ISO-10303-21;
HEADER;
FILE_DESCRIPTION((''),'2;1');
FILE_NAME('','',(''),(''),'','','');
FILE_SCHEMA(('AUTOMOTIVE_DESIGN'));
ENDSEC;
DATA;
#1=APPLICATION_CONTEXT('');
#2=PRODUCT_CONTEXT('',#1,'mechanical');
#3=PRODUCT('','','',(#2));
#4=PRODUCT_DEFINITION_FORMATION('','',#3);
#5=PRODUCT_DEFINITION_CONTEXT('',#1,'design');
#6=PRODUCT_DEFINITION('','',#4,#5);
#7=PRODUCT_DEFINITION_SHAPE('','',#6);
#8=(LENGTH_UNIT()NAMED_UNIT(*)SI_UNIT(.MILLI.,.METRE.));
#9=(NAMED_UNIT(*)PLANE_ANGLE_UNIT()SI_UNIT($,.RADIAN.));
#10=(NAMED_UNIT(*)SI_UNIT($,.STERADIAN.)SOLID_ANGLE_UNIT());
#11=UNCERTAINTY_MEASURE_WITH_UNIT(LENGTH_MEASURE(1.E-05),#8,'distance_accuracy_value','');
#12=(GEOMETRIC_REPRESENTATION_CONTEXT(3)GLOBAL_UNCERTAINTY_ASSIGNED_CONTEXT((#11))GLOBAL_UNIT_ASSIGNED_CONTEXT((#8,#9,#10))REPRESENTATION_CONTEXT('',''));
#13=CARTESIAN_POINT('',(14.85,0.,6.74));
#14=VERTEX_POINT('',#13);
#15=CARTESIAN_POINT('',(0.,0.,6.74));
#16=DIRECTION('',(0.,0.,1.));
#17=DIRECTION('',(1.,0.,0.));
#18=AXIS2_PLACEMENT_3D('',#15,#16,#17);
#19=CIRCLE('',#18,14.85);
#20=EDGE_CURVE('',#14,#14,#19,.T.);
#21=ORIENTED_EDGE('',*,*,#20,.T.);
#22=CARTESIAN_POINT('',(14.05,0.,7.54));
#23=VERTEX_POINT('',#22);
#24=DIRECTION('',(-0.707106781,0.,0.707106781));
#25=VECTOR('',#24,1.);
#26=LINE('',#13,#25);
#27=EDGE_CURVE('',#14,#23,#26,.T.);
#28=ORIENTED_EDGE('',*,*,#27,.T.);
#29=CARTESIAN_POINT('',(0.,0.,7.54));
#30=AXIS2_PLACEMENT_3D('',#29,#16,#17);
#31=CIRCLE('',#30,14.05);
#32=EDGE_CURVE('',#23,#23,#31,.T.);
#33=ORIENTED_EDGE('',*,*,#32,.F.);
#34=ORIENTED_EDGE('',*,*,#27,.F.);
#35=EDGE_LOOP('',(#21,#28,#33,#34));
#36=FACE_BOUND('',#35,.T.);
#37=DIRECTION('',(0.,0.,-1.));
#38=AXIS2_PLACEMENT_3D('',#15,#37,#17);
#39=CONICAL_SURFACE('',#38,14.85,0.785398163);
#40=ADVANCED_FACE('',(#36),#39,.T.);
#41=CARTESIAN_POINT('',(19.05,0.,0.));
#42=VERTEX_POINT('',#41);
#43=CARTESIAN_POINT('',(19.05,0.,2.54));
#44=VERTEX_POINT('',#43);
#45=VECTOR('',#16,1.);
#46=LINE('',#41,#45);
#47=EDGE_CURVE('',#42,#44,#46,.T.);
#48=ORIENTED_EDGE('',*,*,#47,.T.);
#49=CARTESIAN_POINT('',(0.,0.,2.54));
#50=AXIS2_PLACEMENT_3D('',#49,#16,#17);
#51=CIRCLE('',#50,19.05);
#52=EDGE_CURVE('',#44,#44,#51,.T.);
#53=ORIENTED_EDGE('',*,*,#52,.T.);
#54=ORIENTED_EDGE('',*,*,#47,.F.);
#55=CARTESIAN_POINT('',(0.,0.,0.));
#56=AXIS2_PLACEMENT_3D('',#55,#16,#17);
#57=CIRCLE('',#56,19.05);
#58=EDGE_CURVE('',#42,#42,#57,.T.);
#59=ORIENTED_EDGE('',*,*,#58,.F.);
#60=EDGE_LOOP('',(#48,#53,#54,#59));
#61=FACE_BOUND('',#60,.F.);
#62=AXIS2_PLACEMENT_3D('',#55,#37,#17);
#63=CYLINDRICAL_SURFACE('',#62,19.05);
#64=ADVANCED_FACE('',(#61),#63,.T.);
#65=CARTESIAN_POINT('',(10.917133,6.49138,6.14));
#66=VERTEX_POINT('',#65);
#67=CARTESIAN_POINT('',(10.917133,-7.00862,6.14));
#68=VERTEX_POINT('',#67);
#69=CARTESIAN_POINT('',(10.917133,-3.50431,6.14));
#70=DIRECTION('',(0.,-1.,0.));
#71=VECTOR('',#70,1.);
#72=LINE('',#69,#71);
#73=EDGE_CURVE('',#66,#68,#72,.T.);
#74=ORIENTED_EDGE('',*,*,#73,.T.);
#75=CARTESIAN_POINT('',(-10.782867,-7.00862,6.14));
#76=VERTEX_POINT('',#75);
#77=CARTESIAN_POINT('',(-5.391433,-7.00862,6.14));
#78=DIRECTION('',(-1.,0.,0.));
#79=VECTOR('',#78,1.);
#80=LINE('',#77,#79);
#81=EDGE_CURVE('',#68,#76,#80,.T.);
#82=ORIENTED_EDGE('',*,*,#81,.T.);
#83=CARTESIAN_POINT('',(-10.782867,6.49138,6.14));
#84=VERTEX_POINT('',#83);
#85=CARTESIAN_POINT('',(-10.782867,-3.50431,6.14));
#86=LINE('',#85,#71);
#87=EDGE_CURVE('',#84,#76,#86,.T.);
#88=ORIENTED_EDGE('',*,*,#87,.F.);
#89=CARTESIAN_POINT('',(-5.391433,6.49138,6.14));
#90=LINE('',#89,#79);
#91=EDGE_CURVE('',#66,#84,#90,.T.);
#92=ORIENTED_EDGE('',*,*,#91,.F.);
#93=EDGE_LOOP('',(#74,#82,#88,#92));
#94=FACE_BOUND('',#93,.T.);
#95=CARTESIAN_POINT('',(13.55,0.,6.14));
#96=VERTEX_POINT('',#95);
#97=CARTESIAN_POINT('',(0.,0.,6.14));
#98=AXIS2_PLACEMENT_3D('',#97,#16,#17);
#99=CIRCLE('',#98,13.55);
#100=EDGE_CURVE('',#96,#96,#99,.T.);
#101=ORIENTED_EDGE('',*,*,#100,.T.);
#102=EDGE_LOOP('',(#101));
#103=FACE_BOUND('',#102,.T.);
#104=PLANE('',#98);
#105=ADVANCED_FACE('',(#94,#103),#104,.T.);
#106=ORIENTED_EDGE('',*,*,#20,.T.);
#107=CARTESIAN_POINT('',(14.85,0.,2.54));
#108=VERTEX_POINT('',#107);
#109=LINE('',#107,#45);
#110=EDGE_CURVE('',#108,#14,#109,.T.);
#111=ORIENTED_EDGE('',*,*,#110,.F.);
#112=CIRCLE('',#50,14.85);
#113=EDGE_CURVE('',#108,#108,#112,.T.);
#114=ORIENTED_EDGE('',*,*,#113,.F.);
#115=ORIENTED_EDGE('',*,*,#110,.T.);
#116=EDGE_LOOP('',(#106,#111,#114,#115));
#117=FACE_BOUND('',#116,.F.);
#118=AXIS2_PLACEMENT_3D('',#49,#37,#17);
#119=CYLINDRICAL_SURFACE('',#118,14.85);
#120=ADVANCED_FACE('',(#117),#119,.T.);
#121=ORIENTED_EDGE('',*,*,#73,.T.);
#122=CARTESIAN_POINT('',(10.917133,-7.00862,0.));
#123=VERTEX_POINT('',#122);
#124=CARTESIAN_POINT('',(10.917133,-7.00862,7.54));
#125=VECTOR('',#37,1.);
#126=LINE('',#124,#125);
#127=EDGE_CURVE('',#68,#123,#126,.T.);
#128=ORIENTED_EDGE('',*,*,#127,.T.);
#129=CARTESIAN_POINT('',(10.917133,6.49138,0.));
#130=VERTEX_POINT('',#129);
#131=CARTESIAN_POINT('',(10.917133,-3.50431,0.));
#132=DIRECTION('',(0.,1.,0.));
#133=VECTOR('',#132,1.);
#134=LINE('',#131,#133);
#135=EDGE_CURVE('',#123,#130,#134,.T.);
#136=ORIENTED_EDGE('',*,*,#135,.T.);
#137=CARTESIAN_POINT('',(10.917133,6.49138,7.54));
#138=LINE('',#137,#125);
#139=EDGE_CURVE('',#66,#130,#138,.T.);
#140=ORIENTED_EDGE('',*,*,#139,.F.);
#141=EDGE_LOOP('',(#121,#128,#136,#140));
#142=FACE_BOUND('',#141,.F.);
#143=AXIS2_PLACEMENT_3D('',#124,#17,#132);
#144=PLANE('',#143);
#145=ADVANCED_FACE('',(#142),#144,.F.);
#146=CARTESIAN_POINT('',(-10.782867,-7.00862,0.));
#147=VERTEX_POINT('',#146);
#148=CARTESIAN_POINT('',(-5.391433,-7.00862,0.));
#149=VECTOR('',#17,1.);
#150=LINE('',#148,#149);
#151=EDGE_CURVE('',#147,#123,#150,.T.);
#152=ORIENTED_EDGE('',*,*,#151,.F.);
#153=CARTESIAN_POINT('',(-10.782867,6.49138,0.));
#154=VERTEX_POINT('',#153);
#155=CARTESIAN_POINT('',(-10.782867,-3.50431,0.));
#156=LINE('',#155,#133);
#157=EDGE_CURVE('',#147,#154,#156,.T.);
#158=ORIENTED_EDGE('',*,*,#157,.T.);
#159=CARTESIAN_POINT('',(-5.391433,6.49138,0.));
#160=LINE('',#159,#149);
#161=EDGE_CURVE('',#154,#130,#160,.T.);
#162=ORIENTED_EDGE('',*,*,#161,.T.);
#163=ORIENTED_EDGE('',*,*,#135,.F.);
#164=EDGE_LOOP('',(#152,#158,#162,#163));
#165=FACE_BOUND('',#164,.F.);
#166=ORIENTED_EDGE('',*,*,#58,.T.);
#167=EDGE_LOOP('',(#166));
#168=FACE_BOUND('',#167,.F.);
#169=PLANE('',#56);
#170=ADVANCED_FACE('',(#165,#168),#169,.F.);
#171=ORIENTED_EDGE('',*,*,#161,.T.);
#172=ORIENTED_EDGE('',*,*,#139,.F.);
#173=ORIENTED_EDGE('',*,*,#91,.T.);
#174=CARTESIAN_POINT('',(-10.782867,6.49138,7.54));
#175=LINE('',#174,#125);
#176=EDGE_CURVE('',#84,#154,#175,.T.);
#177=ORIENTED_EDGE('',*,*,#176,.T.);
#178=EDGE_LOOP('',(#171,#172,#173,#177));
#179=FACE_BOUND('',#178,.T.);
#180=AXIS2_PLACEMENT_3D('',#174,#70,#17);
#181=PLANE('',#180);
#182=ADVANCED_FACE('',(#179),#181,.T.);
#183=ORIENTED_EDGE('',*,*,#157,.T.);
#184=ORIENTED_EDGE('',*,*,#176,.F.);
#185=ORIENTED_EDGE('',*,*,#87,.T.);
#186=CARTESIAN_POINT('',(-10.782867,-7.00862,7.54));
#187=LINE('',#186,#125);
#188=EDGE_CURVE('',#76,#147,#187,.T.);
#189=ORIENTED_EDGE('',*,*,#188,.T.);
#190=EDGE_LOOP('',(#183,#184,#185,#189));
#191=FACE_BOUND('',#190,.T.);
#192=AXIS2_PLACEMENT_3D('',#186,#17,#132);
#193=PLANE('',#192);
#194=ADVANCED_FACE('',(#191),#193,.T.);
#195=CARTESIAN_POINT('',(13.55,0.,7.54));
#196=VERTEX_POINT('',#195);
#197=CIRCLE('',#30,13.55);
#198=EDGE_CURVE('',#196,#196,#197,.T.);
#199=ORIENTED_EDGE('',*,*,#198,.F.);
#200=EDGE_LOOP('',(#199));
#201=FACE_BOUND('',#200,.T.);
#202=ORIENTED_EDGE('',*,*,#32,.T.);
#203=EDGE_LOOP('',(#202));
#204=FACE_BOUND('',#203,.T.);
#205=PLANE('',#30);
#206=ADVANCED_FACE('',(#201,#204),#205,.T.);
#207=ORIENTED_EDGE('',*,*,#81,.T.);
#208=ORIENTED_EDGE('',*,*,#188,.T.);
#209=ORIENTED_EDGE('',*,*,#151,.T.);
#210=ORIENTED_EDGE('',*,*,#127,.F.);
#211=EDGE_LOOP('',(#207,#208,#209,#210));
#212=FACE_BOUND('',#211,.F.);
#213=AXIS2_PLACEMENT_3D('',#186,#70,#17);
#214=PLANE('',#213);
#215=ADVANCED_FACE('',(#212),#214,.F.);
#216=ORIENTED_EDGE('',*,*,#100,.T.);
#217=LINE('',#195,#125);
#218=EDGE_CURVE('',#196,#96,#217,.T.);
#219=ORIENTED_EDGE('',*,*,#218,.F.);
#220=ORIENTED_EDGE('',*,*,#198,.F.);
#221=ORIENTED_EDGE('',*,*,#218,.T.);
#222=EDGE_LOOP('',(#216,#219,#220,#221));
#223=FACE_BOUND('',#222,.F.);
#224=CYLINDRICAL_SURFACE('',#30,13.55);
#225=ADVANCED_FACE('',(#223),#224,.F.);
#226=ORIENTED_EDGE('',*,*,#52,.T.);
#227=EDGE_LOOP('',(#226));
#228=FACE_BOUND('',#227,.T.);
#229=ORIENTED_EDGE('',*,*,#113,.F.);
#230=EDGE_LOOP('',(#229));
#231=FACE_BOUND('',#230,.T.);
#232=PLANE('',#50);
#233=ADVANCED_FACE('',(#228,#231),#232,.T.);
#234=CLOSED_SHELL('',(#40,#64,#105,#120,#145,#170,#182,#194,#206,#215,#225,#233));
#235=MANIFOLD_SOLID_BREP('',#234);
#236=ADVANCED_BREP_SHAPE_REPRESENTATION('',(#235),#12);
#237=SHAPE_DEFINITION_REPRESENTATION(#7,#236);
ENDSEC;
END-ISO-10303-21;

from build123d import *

# Parameters (mm, degrees)
F0_R     = 19.05
F1_DEPTH = 2.54
F2_R     = 14.85
F3_DEPTH = 5
F4_W     = 21.7
F4_H     = 13.5
F5_DEPTH = 10
F6_R     = 13.55
F7_DEPTH = 1.4
F8_SIZE  = 0.8


with BuildPart() as f1:
    # F0 (on Top) → F1 (new body)
    with BuildSketch(Plane.XY):
        Circle(F0_R)
    extrude(amount=F1_DEPTH)

    # F2 (on face) → F3 (join)
    with BuildSketch(Plane.XY.offset(2.54)):
        Circle(F2_R)
    extrude(amount=F3_DEPTH)

    # F4 (on face) → F5 (cut)
    with BuildSketch(Plane.XY.offset(7.54)):
        with Locations((0.067133, -0.25862)):
            Rectangle(F4_W, F4_H)
    extrude(amount=-F5_DEPTH, mode=Mode.SUBTRACT)

    # F6 (on face) → F7 (cut)
    with BuildSketch(Plane.XY.offset(7.54)):
        Circle(F6_R)
    extrude(amount=-F7_DEPTH, mode=Mode.SUBTRACT)

    # F8
    f8_edges = [f1.edges().sort_by_distance(p)[0] for p in [
        (-14.85, 0, 7.54),
    ]]
    chamfer(f8_edges, length=F8_SIZE)


solid = f1.part
